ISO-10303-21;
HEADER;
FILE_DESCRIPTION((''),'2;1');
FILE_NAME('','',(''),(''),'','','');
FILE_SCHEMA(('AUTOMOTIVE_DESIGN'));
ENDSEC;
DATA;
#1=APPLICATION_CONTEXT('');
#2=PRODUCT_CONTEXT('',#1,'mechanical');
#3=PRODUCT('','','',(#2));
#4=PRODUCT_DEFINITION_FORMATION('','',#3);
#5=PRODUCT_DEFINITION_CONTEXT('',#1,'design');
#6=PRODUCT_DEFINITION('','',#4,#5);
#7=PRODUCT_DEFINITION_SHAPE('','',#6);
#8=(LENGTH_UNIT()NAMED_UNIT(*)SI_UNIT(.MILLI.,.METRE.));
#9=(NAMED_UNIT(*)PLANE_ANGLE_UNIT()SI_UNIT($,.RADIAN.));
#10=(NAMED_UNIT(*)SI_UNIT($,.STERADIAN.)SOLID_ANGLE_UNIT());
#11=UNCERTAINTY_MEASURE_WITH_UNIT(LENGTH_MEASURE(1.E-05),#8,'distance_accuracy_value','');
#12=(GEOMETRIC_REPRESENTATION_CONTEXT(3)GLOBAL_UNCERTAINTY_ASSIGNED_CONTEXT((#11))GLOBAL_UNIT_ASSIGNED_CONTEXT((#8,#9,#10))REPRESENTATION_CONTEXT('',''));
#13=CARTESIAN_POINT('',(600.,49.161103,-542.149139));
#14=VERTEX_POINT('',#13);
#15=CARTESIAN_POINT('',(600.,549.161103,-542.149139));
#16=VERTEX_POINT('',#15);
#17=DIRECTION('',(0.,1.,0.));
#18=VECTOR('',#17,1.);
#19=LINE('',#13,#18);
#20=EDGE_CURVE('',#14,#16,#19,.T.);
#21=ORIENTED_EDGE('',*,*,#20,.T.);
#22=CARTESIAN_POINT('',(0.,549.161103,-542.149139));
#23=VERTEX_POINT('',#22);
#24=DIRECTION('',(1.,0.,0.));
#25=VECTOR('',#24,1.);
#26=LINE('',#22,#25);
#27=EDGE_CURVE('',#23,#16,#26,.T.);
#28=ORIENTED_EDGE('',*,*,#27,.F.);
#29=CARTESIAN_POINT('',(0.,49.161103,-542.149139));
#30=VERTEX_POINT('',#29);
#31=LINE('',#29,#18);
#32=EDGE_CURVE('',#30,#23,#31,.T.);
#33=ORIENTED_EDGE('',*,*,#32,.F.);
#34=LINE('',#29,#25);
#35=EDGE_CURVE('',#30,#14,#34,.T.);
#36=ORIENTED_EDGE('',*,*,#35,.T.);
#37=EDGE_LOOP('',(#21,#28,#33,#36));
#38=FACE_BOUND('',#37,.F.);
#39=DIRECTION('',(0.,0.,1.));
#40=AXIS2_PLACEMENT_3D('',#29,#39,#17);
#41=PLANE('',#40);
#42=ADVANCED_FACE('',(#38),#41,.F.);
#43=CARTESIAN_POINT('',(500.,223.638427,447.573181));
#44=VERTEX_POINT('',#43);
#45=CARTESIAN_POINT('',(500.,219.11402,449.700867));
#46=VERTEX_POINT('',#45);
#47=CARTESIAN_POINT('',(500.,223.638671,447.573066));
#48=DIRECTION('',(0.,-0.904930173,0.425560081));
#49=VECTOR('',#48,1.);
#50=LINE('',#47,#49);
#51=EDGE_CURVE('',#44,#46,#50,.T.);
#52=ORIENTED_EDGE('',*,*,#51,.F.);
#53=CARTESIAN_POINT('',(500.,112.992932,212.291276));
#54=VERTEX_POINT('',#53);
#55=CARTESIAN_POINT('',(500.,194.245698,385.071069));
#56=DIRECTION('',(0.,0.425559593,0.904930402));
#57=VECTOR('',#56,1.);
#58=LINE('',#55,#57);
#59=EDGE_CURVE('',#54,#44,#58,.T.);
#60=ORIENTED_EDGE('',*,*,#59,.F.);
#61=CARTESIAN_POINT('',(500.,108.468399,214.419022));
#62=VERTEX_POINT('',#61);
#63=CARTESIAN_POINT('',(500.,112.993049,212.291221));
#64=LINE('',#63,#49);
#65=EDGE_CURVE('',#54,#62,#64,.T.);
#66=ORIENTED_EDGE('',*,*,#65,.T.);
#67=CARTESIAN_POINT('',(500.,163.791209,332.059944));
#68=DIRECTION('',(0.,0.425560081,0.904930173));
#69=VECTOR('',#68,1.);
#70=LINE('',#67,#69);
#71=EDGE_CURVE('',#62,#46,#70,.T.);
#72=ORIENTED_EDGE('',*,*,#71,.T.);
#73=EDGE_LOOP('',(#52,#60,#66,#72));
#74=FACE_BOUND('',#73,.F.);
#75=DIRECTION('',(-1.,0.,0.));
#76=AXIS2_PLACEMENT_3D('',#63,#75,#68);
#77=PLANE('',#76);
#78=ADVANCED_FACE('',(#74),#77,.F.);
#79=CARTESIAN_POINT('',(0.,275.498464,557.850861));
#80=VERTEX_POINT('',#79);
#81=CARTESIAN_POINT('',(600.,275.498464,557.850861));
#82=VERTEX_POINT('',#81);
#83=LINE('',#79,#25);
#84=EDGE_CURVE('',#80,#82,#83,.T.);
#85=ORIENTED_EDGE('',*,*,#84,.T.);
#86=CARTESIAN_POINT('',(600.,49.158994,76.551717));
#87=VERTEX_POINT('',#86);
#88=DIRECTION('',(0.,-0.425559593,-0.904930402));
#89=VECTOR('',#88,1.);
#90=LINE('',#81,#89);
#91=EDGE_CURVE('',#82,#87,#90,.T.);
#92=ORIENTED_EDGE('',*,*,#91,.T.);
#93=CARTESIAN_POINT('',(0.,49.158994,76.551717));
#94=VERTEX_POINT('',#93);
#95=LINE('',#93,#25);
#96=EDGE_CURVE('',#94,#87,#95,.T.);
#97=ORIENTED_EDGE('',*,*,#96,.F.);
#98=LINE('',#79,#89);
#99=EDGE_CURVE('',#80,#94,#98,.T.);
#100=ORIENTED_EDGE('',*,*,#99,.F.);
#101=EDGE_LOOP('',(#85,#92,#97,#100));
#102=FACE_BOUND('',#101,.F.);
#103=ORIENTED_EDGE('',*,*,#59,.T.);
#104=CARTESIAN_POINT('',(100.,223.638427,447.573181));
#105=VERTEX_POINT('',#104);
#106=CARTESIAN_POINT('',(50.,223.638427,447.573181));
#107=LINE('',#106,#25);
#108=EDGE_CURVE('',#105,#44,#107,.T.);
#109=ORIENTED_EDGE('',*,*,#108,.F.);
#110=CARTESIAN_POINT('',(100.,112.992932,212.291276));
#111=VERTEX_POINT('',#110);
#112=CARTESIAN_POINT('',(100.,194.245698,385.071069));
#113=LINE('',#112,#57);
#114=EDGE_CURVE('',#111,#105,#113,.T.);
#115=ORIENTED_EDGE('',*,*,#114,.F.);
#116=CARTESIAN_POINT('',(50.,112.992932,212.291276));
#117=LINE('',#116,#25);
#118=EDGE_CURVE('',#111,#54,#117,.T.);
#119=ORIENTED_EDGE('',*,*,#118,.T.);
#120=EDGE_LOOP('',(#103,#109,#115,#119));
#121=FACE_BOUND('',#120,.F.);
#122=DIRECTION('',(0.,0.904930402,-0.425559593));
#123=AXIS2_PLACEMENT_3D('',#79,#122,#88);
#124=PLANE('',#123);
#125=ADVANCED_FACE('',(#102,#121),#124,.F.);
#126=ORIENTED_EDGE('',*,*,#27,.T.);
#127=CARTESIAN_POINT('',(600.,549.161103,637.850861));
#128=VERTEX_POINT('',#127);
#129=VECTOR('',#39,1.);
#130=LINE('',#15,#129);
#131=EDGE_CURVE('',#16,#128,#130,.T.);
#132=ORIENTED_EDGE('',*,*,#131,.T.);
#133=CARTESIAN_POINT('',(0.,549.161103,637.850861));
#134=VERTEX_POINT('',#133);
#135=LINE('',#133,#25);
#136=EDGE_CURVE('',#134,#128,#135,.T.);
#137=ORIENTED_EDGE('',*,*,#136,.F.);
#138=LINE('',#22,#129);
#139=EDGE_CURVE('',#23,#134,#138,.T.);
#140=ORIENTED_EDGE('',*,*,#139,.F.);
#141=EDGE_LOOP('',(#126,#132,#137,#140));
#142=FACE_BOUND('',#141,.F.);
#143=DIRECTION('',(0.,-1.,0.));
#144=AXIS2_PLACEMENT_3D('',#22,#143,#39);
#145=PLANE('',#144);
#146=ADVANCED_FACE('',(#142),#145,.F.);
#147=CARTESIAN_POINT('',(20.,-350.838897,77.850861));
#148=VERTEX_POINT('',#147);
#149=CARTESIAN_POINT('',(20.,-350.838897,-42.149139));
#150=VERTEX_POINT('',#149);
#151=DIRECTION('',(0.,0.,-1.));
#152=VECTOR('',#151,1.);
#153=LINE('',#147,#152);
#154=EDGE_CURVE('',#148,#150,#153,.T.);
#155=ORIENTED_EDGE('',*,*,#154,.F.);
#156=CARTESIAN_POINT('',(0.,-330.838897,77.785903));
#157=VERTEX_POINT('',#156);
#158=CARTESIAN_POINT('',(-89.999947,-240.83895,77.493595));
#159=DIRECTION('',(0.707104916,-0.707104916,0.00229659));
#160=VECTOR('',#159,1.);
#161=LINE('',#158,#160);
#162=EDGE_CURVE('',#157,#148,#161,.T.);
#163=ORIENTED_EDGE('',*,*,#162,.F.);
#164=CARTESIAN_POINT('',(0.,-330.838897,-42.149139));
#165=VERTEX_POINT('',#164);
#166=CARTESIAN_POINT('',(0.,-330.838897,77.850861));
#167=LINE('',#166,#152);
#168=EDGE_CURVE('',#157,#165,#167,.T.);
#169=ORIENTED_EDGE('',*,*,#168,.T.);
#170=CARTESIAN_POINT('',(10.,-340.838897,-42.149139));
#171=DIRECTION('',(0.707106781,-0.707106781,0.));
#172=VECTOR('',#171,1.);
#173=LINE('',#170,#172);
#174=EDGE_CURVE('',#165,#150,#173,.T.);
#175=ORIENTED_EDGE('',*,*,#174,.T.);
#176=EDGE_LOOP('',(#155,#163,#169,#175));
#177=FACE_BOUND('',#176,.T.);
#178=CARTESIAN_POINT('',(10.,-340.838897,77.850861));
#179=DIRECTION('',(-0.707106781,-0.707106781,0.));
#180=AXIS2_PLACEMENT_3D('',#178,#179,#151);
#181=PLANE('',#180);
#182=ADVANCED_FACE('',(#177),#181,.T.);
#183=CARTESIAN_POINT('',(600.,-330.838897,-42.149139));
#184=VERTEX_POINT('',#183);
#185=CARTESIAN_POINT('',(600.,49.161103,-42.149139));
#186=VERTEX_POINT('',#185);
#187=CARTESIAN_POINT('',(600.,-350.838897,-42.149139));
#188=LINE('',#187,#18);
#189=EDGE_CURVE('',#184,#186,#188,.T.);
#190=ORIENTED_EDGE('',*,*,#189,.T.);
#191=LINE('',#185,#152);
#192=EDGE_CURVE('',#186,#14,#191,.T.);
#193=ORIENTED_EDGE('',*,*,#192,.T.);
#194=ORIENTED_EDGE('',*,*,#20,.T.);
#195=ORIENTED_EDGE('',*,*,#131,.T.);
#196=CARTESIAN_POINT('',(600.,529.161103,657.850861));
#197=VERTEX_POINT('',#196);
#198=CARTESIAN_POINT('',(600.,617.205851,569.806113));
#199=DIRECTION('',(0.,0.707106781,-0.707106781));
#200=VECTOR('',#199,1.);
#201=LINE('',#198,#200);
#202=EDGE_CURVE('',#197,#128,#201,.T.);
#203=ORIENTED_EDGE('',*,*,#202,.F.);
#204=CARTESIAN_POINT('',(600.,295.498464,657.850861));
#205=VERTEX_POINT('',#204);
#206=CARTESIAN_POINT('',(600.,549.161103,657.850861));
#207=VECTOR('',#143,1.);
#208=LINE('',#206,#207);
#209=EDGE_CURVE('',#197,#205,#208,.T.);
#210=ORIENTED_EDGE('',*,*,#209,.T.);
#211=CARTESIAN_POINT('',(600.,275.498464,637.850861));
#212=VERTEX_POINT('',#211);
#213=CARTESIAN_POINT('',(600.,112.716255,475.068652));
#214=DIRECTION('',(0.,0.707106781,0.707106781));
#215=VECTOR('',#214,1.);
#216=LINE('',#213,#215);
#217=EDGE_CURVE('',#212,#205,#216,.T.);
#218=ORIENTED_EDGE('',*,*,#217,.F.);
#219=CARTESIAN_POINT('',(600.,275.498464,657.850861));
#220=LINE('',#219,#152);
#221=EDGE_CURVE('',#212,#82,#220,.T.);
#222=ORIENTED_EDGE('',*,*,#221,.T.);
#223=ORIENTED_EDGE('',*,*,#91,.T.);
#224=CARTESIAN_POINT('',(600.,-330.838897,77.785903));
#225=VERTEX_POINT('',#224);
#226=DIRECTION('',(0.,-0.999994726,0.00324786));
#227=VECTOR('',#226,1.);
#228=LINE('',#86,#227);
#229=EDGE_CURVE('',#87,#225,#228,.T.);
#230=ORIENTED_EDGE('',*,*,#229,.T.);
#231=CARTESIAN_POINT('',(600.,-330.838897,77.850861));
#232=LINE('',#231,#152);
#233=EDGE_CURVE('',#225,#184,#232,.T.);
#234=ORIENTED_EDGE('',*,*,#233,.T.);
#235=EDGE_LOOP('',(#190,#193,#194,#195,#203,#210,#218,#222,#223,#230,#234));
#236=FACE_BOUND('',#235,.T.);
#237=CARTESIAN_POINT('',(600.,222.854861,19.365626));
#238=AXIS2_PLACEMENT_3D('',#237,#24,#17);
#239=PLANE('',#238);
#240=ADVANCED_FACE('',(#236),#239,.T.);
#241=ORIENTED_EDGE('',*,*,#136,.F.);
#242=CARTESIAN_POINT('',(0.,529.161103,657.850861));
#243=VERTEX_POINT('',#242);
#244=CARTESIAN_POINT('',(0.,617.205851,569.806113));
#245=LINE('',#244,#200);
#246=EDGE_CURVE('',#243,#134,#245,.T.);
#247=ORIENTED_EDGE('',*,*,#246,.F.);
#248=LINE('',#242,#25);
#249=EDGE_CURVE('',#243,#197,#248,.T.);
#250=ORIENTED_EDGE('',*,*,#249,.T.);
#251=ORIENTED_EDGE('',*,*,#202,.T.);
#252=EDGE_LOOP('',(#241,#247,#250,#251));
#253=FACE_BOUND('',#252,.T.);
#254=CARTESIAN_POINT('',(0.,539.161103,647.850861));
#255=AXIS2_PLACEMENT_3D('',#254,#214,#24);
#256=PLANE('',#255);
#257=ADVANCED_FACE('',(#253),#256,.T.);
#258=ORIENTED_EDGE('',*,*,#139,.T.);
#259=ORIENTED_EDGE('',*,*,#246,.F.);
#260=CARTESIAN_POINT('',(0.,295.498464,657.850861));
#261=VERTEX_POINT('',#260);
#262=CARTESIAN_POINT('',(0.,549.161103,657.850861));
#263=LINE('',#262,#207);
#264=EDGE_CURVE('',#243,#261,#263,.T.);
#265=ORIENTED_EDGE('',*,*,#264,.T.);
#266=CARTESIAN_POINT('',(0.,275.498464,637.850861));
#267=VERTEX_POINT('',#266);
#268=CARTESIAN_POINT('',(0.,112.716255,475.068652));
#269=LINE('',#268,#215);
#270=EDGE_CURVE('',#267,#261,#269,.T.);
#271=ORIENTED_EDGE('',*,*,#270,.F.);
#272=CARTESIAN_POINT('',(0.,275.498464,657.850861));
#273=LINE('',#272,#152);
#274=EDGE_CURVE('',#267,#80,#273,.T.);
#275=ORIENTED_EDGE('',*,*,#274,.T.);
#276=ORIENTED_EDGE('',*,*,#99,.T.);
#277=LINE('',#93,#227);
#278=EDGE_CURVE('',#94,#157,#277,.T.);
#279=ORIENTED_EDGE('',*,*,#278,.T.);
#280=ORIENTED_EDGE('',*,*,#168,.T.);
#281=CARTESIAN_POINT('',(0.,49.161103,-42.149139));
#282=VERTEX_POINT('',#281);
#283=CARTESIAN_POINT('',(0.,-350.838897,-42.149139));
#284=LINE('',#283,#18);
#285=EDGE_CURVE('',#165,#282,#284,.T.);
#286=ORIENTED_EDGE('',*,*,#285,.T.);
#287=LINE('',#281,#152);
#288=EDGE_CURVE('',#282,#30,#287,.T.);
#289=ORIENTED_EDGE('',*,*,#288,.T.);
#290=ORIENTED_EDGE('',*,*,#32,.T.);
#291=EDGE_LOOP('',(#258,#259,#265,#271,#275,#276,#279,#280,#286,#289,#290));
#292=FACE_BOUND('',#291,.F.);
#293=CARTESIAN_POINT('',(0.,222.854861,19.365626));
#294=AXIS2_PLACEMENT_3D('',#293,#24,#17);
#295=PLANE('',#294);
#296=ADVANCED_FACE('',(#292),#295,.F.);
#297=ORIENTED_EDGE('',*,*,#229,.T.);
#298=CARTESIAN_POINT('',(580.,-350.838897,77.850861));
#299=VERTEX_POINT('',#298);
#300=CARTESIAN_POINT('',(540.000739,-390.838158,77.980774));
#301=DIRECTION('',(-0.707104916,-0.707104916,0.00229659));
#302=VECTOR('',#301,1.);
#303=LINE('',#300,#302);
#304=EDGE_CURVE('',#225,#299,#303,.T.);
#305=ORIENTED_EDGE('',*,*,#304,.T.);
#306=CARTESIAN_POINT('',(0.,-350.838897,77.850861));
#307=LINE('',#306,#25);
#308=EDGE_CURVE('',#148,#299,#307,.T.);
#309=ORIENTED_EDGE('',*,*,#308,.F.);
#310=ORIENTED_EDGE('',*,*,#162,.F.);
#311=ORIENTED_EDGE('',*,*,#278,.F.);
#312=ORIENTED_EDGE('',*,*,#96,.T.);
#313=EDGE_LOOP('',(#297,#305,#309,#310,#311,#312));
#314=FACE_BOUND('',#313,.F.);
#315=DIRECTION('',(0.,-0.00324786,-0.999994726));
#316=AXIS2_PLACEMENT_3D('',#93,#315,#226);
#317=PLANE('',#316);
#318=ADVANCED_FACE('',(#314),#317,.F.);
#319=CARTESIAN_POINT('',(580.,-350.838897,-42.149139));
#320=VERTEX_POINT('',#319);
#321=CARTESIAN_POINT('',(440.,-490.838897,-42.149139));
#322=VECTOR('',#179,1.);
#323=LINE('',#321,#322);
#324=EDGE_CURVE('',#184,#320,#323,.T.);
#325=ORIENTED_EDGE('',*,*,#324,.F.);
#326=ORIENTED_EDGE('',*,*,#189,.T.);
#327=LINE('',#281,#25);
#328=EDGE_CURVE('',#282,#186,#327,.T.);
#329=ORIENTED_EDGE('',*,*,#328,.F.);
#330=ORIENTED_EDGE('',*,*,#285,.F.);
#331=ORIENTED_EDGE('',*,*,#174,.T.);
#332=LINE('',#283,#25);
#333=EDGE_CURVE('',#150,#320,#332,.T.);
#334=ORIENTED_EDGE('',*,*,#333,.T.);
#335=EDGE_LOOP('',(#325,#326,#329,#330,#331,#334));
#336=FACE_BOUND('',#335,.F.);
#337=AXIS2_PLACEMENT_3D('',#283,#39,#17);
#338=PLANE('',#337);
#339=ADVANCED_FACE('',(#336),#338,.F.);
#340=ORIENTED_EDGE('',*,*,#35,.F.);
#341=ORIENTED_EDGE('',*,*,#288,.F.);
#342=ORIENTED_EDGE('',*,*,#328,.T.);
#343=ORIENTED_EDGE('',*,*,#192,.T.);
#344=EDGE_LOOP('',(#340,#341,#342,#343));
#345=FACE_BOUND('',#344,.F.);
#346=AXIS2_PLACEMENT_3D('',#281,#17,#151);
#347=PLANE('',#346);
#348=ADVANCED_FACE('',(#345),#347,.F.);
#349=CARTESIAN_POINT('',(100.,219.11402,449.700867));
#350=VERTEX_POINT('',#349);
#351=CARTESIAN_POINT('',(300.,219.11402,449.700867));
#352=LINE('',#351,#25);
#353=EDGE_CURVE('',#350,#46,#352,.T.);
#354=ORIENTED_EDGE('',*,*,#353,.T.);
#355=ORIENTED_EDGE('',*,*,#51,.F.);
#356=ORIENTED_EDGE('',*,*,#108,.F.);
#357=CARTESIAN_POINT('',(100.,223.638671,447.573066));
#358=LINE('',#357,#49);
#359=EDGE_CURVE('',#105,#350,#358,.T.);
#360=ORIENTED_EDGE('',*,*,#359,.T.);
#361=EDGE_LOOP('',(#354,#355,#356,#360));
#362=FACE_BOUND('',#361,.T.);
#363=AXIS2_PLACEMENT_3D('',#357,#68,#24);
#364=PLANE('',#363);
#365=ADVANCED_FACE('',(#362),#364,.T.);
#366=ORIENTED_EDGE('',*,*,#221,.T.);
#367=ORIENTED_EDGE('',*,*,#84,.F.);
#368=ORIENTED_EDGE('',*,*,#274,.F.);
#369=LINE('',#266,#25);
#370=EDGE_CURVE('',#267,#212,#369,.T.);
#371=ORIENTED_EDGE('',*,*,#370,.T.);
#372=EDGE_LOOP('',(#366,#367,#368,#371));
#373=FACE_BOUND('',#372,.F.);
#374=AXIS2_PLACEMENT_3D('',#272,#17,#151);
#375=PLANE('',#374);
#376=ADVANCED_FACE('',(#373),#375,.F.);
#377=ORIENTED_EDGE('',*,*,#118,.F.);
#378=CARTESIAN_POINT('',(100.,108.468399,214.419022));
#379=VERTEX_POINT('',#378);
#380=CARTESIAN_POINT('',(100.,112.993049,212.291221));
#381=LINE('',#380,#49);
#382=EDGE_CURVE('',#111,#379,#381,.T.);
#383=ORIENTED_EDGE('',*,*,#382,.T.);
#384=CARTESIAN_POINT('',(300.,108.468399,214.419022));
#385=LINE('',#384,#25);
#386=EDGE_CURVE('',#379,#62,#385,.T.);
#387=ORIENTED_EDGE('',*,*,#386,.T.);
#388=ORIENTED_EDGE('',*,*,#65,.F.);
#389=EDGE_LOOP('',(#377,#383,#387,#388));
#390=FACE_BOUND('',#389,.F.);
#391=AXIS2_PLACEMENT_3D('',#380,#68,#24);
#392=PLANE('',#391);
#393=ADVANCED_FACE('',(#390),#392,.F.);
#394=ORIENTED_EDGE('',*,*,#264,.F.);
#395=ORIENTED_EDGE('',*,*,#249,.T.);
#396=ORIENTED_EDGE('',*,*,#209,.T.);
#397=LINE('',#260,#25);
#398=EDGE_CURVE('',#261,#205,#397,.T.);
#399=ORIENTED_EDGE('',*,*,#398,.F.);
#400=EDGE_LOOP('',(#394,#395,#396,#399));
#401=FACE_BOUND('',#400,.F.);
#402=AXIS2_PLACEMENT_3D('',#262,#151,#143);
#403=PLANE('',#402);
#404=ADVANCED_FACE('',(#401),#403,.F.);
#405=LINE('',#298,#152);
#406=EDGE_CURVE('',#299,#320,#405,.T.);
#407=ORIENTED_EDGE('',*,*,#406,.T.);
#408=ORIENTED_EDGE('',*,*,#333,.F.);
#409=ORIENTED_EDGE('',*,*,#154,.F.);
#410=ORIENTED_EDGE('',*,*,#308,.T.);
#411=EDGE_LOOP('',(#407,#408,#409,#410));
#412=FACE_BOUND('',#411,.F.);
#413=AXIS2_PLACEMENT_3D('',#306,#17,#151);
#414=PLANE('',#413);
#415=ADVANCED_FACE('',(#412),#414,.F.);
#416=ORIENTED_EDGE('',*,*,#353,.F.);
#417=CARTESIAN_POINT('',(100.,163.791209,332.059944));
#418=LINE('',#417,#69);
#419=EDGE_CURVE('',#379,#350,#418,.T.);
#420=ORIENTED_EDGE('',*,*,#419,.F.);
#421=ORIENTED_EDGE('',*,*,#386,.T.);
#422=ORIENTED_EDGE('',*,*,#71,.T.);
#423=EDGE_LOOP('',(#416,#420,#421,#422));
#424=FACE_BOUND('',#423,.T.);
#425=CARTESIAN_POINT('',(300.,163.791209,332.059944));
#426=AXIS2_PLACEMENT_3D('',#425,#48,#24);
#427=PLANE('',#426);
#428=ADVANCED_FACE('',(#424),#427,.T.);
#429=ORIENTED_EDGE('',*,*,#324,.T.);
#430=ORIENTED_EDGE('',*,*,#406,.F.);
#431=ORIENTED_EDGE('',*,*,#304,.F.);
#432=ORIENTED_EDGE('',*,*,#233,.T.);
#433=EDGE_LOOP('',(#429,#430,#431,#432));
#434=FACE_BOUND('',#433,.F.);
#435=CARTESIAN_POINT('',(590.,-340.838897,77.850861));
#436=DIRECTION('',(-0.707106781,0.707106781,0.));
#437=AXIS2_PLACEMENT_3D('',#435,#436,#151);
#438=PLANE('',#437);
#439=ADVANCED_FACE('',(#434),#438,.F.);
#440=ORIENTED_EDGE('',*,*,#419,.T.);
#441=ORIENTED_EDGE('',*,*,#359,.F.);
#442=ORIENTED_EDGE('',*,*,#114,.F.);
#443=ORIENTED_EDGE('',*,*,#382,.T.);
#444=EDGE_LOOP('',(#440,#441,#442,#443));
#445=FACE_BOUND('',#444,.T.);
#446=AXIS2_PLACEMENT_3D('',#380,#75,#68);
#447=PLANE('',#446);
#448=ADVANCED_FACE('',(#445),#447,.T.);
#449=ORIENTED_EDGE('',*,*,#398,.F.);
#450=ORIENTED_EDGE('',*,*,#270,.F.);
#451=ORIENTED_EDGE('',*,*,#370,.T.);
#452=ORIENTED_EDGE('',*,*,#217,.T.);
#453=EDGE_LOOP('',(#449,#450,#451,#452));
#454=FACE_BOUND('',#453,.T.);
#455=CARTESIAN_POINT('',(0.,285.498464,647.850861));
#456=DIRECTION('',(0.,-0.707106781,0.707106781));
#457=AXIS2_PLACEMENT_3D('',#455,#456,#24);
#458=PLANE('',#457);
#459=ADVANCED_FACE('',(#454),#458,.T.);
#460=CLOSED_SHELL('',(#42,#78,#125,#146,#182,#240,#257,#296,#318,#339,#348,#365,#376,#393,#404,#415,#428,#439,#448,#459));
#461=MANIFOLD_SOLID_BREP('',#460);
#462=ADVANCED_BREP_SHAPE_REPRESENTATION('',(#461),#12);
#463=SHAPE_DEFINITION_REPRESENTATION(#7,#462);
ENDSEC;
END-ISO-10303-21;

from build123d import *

# Parameters (mm, degrees)
F1_DEPTH = 600
F2_W     = 400
F2_H     = 260
F3_DEPTH = 5
F4_SIZE  = 20


with BuildPart() as f1:
    # F0 (on Right) → F1 (new body)
    with BuildSketch(Plane.YZ):
        Polygon((549.161103, 657.850861), (275.498464, 657.850861), (275.498464, 557.850861), (49.158994, 76.551717), (-350.838897, 77.850861), (-350.838897, -42.149139), (49.161103, -42.149139), (49.161103, -542.149139), (549.161103, -542.149139), align=None)
    extrude(amount=F1_DEPTH)

    # F2 (on face) → F3 (join)
    with BuildSketch(Plane(origin=(0, 10.776047, -5.067628), x_dir=(1, 0, 0), z_dir=(0, -0.90493, 0.42556))):
        with Locations((300, 370.194057)):
            Rectangle(F2_W, F2_H)
    extrude(amount=F3_DEPTH)

    # F4
    f4_edges = [f1.edges().sort_by_distance(p)[0] for p in [
        (300, 275.498464, 657.850861),
        (300, 549.161103, 657.850861),
        (600, -350.838897, 17.850861),
        (0, -350.838897, 17.850861),
    ]]
    chamfer(f4_edges, length=F4_SIZE)


solid = f1.part
